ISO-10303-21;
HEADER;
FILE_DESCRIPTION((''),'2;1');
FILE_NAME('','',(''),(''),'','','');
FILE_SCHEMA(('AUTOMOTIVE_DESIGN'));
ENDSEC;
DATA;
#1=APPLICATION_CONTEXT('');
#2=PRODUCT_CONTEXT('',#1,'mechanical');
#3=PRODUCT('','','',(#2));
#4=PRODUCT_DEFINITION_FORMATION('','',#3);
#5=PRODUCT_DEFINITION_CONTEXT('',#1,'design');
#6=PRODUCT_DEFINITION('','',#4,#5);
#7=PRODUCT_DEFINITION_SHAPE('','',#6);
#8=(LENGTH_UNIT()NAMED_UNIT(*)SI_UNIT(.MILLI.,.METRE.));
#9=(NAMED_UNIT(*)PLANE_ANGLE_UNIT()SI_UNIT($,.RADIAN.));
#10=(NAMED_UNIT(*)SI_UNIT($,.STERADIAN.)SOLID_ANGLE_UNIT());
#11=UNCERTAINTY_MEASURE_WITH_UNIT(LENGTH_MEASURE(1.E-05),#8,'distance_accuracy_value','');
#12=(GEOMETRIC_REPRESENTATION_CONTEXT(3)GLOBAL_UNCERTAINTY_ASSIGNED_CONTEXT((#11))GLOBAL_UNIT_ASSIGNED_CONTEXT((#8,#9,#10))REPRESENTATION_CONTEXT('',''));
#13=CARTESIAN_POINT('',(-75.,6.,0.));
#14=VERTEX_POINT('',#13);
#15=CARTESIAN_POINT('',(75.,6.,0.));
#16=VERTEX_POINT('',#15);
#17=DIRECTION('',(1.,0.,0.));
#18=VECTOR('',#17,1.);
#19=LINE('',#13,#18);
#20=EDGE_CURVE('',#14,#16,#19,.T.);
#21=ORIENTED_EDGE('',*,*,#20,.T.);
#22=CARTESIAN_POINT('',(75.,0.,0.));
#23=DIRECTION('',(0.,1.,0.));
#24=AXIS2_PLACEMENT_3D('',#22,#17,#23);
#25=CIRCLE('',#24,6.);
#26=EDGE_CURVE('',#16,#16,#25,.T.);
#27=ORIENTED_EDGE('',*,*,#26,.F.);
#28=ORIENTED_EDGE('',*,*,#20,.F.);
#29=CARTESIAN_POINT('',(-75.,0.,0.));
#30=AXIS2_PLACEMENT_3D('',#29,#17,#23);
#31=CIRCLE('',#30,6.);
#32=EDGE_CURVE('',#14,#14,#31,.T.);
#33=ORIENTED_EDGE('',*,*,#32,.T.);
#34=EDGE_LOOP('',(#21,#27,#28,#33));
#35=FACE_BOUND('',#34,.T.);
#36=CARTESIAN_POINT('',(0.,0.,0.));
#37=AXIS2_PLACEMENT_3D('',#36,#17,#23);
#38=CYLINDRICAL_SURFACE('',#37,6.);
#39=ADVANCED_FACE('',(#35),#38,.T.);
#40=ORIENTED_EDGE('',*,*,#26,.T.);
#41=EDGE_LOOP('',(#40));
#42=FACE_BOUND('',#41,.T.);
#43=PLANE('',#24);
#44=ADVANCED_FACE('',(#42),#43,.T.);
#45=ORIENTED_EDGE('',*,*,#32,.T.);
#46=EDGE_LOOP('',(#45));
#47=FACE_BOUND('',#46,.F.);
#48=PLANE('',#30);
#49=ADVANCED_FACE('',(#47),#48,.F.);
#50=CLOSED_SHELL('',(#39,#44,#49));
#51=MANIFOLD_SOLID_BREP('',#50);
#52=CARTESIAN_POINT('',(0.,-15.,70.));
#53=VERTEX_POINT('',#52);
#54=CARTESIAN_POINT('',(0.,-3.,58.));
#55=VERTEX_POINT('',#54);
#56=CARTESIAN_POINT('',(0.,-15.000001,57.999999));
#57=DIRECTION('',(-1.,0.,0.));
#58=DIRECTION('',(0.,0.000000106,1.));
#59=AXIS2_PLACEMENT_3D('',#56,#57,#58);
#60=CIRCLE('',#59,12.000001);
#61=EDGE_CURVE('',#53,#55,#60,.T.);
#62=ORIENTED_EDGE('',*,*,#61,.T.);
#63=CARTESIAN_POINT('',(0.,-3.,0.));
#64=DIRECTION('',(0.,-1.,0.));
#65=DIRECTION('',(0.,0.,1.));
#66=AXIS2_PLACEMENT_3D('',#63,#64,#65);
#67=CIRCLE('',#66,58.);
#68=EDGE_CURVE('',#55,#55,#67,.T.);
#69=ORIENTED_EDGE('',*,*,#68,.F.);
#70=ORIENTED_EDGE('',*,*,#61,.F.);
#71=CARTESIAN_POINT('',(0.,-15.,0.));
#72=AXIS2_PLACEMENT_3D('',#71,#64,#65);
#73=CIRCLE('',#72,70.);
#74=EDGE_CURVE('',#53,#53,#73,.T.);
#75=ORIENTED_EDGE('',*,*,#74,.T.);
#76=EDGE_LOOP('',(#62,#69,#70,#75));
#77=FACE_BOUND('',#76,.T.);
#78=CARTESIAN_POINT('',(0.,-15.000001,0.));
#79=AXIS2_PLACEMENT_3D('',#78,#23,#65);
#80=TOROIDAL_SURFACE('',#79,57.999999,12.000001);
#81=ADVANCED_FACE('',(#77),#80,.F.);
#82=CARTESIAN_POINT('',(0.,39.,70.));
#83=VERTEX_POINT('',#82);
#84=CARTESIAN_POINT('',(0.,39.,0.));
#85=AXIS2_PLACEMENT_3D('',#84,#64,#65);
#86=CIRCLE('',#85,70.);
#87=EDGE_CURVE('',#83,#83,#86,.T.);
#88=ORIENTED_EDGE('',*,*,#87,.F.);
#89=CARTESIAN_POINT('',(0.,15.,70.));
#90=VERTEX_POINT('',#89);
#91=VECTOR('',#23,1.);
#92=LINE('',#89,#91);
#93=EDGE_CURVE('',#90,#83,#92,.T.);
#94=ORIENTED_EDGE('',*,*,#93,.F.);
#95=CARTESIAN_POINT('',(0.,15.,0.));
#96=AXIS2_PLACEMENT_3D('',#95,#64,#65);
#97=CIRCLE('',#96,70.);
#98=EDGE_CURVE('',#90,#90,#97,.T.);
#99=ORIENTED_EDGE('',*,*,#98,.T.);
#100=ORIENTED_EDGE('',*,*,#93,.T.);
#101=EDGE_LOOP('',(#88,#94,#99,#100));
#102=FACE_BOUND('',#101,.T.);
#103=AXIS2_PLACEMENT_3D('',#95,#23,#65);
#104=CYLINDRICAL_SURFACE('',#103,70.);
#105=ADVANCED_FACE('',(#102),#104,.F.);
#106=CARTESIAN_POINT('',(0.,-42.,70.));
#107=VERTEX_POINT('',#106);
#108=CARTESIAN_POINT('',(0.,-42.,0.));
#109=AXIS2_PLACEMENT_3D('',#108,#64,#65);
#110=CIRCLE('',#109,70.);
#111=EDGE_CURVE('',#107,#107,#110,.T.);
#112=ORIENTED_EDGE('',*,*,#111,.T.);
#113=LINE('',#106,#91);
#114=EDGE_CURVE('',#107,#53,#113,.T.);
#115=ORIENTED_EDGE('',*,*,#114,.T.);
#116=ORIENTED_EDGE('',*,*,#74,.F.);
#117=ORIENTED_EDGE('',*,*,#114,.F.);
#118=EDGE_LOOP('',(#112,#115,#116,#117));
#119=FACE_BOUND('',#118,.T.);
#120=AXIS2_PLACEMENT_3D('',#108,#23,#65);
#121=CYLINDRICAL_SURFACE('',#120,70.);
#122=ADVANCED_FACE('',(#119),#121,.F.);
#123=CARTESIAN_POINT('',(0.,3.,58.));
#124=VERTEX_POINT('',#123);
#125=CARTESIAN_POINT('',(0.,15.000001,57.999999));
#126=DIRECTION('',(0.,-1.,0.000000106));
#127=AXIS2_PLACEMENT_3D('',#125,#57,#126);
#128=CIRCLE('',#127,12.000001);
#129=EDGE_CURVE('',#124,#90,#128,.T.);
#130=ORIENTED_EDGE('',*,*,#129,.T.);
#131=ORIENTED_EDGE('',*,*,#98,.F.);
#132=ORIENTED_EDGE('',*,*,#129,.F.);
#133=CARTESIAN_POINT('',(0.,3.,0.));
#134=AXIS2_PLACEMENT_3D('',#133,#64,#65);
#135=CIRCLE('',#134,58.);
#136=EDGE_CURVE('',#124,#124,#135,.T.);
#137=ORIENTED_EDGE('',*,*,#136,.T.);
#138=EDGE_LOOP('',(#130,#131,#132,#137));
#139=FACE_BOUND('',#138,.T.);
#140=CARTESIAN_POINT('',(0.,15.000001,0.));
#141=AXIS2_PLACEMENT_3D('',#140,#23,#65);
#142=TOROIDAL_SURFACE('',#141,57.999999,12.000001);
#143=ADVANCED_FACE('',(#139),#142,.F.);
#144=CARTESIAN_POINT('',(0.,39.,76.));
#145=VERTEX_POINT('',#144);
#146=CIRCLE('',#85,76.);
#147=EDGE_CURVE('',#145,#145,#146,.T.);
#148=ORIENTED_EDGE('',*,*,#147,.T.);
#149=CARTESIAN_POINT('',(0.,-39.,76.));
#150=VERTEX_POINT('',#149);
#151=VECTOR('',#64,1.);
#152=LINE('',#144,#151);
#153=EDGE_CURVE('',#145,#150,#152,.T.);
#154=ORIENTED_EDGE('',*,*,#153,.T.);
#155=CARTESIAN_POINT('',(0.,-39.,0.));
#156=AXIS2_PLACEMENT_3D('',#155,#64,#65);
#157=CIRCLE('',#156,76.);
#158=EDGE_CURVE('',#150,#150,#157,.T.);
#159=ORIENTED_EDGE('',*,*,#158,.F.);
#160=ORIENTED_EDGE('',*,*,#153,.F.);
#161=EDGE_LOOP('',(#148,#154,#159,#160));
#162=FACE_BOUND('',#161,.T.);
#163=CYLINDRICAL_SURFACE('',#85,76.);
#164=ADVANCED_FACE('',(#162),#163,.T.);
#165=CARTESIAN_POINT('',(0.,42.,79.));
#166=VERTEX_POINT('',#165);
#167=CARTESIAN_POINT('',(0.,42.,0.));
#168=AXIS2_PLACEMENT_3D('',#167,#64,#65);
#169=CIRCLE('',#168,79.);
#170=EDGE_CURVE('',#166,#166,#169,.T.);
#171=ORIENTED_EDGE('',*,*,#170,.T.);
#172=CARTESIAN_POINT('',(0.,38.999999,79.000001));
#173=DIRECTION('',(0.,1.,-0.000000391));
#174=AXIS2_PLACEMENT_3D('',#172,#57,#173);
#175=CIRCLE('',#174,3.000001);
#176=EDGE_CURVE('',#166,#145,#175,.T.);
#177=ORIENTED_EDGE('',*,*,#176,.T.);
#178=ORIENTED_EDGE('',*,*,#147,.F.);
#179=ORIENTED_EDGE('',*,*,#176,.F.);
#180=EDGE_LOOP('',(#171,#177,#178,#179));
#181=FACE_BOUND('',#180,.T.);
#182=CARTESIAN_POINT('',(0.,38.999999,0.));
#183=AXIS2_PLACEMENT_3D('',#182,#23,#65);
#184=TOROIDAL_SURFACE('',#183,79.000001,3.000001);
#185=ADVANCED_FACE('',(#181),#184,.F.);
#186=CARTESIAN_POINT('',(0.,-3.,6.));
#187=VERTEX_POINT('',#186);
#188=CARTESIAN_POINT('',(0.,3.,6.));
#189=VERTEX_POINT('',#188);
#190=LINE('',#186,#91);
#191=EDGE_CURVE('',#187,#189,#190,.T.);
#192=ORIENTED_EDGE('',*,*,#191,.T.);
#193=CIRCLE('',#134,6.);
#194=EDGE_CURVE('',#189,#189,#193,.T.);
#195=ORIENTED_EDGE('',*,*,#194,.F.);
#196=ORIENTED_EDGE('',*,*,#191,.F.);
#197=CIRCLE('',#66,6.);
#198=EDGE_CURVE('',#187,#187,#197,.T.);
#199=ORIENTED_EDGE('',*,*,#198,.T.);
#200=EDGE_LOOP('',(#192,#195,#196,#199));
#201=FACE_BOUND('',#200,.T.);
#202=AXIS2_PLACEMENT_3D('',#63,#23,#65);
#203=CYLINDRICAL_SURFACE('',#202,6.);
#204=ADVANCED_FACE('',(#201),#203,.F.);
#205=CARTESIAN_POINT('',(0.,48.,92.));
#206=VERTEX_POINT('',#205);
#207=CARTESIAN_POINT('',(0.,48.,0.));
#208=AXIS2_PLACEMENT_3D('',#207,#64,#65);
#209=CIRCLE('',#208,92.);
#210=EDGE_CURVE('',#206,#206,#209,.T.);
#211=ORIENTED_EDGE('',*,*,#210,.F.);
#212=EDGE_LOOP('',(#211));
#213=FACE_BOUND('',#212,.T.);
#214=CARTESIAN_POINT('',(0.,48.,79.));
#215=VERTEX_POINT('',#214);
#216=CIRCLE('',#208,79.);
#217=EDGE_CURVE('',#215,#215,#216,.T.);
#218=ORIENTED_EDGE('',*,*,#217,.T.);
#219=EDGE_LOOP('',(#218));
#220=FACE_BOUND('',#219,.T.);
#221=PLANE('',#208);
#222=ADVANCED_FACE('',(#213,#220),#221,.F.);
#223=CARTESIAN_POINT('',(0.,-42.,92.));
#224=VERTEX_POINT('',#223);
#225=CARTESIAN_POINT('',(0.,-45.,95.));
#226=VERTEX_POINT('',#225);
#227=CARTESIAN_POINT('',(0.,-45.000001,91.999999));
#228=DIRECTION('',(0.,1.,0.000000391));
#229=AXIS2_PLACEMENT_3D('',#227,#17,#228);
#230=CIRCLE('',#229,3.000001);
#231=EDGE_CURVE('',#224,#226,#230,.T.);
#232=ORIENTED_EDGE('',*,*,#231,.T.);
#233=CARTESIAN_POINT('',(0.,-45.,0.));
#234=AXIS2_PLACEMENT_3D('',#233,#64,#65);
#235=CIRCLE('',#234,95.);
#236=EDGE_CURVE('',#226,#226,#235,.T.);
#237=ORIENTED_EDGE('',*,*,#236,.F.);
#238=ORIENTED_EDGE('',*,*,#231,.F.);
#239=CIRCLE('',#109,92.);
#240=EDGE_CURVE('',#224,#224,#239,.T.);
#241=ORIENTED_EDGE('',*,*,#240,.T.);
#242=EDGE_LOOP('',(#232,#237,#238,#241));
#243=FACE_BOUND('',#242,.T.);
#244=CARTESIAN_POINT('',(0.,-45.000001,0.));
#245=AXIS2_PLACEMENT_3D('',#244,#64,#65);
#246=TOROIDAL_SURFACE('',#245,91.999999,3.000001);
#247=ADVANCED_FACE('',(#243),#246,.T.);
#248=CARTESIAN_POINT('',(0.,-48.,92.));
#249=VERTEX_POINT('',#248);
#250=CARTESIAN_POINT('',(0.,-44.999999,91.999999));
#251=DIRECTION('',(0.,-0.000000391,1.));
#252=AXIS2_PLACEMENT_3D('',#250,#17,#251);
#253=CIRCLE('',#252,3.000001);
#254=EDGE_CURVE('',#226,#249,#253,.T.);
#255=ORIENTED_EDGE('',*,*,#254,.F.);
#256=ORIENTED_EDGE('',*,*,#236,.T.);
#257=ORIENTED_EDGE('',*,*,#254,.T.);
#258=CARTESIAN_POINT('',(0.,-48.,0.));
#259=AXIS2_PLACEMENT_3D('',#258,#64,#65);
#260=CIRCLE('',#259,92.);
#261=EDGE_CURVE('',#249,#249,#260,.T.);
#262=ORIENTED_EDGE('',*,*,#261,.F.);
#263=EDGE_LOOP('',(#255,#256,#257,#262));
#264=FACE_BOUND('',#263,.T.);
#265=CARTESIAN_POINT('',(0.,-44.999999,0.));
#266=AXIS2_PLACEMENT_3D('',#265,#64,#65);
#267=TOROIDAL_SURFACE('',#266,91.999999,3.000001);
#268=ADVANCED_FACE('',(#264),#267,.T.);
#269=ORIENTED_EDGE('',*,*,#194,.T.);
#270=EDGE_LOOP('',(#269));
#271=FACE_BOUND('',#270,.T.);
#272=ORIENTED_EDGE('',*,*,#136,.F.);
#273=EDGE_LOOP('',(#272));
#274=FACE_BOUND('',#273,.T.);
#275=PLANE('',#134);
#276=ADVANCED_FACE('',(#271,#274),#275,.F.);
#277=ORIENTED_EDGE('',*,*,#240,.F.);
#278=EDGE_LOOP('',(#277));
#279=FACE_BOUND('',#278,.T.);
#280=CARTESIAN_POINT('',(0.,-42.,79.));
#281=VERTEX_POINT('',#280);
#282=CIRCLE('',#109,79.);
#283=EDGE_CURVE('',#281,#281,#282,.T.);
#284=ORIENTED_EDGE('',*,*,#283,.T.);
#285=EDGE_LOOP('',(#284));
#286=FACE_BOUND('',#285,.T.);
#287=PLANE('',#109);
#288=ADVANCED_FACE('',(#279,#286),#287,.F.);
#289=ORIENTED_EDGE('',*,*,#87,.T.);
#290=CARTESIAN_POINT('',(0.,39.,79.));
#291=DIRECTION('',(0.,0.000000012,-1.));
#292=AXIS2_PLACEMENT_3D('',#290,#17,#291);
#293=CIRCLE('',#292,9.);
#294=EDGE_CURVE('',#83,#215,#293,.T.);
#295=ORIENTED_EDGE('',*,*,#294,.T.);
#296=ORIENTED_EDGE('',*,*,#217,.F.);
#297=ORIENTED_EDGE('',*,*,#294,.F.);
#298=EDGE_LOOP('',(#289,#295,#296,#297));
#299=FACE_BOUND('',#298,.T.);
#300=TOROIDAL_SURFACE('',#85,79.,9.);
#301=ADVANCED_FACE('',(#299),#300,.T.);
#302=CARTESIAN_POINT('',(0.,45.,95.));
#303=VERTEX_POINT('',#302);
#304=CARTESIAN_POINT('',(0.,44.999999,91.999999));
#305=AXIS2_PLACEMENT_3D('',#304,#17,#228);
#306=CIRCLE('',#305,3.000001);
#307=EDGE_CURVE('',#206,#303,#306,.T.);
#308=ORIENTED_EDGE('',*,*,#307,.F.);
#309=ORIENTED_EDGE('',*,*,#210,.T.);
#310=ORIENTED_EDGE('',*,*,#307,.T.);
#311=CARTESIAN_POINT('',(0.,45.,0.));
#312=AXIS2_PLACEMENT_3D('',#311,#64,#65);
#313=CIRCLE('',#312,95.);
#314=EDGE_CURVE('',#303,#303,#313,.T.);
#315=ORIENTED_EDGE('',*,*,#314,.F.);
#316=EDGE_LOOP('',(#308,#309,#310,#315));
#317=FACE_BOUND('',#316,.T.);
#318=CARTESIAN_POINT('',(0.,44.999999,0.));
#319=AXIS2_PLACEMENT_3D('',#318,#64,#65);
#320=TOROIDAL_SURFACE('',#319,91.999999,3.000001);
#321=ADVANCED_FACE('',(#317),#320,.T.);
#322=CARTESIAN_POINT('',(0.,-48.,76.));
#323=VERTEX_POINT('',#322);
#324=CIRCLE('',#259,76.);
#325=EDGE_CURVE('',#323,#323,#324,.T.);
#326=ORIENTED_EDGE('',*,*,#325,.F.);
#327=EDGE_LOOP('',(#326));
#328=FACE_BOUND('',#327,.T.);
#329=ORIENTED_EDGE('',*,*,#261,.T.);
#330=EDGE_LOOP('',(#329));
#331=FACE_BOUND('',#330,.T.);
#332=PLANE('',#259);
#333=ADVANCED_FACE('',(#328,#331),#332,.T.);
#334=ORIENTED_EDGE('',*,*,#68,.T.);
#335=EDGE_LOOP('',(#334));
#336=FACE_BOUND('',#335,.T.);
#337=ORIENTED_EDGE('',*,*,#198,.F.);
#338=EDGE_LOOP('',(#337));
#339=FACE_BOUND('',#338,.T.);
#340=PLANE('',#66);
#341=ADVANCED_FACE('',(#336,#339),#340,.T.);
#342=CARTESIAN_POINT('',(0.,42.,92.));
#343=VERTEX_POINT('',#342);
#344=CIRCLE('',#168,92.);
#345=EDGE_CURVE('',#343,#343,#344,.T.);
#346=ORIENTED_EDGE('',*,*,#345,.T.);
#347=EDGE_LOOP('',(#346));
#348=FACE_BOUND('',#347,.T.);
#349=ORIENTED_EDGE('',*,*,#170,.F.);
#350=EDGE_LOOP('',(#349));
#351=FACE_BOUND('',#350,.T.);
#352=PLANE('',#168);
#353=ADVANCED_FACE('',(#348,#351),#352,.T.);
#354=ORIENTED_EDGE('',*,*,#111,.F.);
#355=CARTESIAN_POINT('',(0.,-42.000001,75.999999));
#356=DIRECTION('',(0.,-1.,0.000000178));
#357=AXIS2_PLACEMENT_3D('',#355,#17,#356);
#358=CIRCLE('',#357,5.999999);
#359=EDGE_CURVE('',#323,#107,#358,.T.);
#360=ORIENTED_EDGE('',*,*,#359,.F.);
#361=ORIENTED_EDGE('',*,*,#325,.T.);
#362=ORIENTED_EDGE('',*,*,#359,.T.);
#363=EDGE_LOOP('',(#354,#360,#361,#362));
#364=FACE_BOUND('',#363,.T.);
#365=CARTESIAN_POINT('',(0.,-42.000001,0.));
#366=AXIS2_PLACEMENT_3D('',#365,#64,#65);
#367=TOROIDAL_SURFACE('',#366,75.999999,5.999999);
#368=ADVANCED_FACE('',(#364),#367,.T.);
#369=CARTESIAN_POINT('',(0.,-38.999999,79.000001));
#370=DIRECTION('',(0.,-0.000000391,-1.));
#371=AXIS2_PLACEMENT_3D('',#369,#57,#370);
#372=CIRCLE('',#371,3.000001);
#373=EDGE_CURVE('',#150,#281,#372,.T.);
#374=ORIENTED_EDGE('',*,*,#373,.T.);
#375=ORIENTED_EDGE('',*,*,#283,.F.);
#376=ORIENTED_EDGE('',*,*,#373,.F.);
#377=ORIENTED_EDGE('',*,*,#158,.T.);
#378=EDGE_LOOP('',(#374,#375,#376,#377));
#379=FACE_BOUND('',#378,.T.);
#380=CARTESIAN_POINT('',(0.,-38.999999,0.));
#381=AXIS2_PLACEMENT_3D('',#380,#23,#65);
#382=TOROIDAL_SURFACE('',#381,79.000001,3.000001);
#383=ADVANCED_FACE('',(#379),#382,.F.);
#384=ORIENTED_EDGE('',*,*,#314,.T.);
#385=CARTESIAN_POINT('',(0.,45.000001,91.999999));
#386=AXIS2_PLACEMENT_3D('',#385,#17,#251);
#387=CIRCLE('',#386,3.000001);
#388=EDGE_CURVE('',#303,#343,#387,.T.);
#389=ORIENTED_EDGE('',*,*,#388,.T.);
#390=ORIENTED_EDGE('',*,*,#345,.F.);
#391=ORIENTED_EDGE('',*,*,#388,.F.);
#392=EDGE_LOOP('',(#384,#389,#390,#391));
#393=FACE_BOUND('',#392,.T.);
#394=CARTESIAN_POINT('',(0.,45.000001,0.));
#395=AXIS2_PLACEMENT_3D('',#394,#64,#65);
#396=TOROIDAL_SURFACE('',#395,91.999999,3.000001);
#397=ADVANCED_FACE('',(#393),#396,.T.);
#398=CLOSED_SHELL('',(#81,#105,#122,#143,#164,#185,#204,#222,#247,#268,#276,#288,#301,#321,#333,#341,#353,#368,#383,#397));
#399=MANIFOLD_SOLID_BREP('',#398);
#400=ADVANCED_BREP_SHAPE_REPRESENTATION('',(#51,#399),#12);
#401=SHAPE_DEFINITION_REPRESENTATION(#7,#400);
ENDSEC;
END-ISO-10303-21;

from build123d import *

# Parameters (mm, degrees)
F2_R     = 6
F3_DEPTH = 75


with BuildPart() as f1:
    # F0 (on Right) → F1 (revolve)
    with BuildSketch(Plane.YZ):
        with BuildLine():
            Line((-3, 6), (0, 6))
            Line((0, 6), (3, 6))
            Line((3, 6), (3, 58))
            ThreePointArc((3, 58), (6.514719, 66.485281), (15, 70))
            Line((15, 70), (39, 70))
            ThreePointArc((39, 70), (45.363961, 72.636039), (48, 79))
            Line((48, 79), (48, 92))
            ThreePointArc((48, 92), (47.12132, 94.12132), (45, 95))
            ThreePointArc((45, 95), (42.87868, 94.12132), (42, 92))
            Line((42, 92), (42, 79))
            ThreePointArc((42, 79), (41.12132, 76.87868), (39, 76))
            Line((39, 76), (-39, 76))
            ThreePointArc((-39, 76), (-41.12132, 76.87868), (-42, 79))
            Line((-42, 79), (-42, 92))
            ThreePointArc((-42, 92), (-42.87868, 94.12132), (-45, 95))
            ThreePointArc((-45, 95), (-47.12132, 94.12132), (-48, 92))
            Line((-48, 92), (-48, 76))
            ThreePointArc((-48, 76), (-46.242641, 71.757359), (-42, 70))
            Line((-42, 70), (-15, 70))
            ThreePointArc((-15, 70), (-6.514719, 66.485281), (-3, 58))
            Line((-3, 58), (-3, 6))
        make_face()
    revolve(axis=Axis((0, -15, 0), (0, -1, 0)))


with BuildPart() as f3:
    # F2 (on Right) → F3 (new body, symmetric)
    with BuildSketch(Plane.YZ):
        Circle(F2_R)
    extrude(amount=F3_DEPTH, both=True)


solid = Compound([f1.part, f3.part])
